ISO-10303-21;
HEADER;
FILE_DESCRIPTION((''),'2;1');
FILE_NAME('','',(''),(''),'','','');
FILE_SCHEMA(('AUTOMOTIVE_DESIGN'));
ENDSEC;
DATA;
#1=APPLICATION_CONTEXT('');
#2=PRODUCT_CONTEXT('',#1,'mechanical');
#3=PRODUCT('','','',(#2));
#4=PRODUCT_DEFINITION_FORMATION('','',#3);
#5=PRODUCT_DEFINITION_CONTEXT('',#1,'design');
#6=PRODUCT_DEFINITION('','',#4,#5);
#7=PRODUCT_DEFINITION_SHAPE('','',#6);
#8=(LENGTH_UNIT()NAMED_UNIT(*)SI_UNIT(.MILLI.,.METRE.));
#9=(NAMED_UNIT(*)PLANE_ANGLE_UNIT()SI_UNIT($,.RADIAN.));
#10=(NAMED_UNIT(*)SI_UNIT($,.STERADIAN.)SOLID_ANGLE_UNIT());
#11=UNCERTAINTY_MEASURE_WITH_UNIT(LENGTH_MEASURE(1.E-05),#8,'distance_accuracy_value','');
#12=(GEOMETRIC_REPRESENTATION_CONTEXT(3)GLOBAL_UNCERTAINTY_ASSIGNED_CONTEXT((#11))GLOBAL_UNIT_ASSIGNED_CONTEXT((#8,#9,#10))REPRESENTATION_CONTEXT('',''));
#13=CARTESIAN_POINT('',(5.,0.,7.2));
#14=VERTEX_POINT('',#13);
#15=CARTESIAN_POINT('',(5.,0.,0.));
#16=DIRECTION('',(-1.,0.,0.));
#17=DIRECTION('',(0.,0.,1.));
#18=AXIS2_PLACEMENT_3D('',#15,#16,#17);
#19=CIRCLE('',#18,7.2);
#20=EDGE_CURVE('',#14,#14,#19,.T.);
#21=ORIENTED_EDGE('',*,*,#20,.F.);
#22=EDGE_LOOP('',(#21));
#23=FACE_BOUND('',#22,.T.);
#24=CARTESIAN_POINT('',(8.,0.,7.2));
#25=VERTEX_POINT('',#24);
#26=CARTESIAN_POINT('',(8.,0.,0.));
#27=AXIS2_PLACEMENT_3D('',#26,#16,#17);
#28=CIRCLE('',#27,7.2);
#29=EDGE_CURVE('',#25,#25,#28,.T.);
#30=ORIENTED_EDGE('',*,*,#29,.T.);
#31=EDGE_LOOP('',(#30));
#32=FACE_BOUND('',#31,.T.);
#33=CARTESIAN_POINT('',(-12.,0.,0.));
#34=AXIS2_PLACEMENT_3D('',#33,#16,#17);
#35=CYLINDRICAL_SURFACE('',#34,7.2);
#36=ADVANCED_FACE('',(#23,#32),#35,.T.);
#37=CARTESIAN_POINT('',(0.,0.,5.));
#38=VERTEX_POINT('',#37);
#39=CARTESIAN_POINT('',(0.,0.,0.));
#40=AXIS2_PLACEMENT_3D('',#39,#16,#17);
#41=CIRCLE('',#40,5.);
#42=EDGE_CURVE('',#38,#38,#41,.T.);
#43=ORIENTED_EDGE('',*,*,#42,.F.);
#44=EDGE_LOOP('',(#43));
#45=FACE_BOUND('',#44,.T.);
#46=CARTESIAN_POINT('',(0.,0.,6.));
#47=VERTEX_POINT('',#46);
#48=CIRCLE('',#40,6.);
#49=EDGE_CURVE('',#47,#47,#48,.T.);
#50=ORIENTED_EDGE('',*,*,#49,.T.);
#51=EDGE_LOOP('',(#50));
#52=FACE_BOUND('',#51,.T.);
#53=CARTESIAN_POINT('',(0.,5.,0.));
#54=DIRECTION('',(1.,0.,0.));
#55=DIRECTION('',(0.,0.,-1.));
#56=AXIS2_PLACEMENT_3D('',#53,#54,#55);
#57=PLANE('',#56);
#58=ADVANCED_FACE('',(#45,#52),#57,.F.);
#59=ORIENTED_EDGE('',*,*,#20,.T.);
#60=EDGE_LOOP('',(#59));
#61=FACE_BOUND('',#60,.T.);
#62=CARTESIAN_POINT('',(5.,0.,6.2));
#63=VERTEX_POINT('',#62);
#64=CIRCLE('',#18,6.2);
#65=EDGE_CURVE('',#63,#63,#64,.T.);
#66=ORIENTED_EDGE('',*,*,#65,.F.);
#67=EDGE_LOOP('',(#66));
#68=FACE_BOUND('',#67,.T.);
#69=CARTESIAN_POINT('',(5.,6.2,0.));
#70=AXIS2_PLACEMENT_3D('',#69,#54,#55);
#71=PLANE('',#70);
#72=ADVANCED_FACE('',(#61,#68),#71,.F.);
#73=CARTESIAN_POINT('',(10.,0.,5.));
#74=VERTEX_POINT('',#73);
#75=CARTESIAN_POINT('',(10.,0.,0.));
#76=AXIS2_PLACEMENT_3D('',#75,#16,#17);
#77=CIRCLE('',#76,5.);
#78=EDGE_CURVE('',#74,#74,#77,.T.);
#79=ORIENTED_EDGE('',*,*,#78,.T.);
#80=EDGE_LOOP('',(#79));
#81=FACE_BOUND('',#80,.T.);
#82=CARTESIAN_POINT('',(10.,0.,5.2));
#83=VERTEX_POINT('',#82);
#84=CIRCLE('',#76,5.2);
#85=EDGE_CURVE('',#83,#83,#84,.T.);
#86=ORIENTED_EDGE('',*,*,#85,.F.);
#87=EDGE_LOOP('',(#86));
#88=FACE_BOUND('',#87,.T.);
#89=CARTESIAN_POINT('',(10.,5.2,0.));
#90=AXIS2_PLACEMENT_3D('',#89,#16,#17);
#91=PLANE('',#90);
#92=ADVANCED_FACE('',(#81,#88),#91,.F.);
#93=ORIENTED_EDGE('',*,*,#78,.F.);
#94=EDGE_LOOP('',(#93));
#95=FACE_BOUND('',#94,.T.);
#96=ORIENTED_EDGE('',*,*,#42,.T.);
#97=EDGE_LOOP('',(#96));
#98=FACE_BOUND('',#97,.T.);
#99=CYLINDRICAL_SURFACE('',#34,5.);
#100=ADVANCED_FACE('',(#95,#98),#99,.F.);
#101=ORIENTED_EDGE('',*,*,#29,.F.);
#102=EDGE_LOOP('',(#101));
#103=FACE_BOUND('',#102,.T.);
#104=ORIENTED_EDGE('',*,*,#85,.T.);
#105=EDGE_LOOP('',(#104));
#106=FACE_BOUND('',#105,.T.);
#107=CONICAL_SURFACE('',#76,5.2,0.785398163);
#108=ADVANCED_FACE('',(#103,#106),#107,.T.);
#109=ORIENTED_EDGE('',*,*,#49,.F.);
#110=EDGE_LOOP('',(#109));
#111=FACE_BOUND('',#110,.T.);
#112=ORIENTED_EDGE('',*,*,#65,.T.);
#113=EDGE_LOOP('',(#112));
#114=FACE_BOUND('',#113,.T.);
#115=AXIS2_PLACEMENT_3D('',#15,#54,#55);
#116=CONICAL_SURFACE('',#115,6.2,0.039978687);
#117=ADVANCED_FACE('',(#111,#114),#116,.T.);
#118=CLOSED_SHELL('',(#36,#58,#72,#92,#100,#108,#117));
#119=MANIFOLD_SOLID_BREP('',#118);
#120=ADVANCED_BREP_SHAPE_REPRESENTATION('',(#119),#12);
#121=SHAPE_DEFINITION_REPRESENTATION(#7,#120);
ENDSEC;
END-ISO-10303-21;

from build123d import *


with BuildPart() as part:
    # Sketch1 → Base-Revolve (revolve)
    with BuildSketch(Plane.XY):
        Polygon((0, 5), (0, 6), (5, 6.2), (5, 7.2), (8, 7.2), (10, 5.2), (10, 5), align=None)
    revolve(axis=Axis((-12, 0, 0), (1, 0, 0)))


solid = part.part
